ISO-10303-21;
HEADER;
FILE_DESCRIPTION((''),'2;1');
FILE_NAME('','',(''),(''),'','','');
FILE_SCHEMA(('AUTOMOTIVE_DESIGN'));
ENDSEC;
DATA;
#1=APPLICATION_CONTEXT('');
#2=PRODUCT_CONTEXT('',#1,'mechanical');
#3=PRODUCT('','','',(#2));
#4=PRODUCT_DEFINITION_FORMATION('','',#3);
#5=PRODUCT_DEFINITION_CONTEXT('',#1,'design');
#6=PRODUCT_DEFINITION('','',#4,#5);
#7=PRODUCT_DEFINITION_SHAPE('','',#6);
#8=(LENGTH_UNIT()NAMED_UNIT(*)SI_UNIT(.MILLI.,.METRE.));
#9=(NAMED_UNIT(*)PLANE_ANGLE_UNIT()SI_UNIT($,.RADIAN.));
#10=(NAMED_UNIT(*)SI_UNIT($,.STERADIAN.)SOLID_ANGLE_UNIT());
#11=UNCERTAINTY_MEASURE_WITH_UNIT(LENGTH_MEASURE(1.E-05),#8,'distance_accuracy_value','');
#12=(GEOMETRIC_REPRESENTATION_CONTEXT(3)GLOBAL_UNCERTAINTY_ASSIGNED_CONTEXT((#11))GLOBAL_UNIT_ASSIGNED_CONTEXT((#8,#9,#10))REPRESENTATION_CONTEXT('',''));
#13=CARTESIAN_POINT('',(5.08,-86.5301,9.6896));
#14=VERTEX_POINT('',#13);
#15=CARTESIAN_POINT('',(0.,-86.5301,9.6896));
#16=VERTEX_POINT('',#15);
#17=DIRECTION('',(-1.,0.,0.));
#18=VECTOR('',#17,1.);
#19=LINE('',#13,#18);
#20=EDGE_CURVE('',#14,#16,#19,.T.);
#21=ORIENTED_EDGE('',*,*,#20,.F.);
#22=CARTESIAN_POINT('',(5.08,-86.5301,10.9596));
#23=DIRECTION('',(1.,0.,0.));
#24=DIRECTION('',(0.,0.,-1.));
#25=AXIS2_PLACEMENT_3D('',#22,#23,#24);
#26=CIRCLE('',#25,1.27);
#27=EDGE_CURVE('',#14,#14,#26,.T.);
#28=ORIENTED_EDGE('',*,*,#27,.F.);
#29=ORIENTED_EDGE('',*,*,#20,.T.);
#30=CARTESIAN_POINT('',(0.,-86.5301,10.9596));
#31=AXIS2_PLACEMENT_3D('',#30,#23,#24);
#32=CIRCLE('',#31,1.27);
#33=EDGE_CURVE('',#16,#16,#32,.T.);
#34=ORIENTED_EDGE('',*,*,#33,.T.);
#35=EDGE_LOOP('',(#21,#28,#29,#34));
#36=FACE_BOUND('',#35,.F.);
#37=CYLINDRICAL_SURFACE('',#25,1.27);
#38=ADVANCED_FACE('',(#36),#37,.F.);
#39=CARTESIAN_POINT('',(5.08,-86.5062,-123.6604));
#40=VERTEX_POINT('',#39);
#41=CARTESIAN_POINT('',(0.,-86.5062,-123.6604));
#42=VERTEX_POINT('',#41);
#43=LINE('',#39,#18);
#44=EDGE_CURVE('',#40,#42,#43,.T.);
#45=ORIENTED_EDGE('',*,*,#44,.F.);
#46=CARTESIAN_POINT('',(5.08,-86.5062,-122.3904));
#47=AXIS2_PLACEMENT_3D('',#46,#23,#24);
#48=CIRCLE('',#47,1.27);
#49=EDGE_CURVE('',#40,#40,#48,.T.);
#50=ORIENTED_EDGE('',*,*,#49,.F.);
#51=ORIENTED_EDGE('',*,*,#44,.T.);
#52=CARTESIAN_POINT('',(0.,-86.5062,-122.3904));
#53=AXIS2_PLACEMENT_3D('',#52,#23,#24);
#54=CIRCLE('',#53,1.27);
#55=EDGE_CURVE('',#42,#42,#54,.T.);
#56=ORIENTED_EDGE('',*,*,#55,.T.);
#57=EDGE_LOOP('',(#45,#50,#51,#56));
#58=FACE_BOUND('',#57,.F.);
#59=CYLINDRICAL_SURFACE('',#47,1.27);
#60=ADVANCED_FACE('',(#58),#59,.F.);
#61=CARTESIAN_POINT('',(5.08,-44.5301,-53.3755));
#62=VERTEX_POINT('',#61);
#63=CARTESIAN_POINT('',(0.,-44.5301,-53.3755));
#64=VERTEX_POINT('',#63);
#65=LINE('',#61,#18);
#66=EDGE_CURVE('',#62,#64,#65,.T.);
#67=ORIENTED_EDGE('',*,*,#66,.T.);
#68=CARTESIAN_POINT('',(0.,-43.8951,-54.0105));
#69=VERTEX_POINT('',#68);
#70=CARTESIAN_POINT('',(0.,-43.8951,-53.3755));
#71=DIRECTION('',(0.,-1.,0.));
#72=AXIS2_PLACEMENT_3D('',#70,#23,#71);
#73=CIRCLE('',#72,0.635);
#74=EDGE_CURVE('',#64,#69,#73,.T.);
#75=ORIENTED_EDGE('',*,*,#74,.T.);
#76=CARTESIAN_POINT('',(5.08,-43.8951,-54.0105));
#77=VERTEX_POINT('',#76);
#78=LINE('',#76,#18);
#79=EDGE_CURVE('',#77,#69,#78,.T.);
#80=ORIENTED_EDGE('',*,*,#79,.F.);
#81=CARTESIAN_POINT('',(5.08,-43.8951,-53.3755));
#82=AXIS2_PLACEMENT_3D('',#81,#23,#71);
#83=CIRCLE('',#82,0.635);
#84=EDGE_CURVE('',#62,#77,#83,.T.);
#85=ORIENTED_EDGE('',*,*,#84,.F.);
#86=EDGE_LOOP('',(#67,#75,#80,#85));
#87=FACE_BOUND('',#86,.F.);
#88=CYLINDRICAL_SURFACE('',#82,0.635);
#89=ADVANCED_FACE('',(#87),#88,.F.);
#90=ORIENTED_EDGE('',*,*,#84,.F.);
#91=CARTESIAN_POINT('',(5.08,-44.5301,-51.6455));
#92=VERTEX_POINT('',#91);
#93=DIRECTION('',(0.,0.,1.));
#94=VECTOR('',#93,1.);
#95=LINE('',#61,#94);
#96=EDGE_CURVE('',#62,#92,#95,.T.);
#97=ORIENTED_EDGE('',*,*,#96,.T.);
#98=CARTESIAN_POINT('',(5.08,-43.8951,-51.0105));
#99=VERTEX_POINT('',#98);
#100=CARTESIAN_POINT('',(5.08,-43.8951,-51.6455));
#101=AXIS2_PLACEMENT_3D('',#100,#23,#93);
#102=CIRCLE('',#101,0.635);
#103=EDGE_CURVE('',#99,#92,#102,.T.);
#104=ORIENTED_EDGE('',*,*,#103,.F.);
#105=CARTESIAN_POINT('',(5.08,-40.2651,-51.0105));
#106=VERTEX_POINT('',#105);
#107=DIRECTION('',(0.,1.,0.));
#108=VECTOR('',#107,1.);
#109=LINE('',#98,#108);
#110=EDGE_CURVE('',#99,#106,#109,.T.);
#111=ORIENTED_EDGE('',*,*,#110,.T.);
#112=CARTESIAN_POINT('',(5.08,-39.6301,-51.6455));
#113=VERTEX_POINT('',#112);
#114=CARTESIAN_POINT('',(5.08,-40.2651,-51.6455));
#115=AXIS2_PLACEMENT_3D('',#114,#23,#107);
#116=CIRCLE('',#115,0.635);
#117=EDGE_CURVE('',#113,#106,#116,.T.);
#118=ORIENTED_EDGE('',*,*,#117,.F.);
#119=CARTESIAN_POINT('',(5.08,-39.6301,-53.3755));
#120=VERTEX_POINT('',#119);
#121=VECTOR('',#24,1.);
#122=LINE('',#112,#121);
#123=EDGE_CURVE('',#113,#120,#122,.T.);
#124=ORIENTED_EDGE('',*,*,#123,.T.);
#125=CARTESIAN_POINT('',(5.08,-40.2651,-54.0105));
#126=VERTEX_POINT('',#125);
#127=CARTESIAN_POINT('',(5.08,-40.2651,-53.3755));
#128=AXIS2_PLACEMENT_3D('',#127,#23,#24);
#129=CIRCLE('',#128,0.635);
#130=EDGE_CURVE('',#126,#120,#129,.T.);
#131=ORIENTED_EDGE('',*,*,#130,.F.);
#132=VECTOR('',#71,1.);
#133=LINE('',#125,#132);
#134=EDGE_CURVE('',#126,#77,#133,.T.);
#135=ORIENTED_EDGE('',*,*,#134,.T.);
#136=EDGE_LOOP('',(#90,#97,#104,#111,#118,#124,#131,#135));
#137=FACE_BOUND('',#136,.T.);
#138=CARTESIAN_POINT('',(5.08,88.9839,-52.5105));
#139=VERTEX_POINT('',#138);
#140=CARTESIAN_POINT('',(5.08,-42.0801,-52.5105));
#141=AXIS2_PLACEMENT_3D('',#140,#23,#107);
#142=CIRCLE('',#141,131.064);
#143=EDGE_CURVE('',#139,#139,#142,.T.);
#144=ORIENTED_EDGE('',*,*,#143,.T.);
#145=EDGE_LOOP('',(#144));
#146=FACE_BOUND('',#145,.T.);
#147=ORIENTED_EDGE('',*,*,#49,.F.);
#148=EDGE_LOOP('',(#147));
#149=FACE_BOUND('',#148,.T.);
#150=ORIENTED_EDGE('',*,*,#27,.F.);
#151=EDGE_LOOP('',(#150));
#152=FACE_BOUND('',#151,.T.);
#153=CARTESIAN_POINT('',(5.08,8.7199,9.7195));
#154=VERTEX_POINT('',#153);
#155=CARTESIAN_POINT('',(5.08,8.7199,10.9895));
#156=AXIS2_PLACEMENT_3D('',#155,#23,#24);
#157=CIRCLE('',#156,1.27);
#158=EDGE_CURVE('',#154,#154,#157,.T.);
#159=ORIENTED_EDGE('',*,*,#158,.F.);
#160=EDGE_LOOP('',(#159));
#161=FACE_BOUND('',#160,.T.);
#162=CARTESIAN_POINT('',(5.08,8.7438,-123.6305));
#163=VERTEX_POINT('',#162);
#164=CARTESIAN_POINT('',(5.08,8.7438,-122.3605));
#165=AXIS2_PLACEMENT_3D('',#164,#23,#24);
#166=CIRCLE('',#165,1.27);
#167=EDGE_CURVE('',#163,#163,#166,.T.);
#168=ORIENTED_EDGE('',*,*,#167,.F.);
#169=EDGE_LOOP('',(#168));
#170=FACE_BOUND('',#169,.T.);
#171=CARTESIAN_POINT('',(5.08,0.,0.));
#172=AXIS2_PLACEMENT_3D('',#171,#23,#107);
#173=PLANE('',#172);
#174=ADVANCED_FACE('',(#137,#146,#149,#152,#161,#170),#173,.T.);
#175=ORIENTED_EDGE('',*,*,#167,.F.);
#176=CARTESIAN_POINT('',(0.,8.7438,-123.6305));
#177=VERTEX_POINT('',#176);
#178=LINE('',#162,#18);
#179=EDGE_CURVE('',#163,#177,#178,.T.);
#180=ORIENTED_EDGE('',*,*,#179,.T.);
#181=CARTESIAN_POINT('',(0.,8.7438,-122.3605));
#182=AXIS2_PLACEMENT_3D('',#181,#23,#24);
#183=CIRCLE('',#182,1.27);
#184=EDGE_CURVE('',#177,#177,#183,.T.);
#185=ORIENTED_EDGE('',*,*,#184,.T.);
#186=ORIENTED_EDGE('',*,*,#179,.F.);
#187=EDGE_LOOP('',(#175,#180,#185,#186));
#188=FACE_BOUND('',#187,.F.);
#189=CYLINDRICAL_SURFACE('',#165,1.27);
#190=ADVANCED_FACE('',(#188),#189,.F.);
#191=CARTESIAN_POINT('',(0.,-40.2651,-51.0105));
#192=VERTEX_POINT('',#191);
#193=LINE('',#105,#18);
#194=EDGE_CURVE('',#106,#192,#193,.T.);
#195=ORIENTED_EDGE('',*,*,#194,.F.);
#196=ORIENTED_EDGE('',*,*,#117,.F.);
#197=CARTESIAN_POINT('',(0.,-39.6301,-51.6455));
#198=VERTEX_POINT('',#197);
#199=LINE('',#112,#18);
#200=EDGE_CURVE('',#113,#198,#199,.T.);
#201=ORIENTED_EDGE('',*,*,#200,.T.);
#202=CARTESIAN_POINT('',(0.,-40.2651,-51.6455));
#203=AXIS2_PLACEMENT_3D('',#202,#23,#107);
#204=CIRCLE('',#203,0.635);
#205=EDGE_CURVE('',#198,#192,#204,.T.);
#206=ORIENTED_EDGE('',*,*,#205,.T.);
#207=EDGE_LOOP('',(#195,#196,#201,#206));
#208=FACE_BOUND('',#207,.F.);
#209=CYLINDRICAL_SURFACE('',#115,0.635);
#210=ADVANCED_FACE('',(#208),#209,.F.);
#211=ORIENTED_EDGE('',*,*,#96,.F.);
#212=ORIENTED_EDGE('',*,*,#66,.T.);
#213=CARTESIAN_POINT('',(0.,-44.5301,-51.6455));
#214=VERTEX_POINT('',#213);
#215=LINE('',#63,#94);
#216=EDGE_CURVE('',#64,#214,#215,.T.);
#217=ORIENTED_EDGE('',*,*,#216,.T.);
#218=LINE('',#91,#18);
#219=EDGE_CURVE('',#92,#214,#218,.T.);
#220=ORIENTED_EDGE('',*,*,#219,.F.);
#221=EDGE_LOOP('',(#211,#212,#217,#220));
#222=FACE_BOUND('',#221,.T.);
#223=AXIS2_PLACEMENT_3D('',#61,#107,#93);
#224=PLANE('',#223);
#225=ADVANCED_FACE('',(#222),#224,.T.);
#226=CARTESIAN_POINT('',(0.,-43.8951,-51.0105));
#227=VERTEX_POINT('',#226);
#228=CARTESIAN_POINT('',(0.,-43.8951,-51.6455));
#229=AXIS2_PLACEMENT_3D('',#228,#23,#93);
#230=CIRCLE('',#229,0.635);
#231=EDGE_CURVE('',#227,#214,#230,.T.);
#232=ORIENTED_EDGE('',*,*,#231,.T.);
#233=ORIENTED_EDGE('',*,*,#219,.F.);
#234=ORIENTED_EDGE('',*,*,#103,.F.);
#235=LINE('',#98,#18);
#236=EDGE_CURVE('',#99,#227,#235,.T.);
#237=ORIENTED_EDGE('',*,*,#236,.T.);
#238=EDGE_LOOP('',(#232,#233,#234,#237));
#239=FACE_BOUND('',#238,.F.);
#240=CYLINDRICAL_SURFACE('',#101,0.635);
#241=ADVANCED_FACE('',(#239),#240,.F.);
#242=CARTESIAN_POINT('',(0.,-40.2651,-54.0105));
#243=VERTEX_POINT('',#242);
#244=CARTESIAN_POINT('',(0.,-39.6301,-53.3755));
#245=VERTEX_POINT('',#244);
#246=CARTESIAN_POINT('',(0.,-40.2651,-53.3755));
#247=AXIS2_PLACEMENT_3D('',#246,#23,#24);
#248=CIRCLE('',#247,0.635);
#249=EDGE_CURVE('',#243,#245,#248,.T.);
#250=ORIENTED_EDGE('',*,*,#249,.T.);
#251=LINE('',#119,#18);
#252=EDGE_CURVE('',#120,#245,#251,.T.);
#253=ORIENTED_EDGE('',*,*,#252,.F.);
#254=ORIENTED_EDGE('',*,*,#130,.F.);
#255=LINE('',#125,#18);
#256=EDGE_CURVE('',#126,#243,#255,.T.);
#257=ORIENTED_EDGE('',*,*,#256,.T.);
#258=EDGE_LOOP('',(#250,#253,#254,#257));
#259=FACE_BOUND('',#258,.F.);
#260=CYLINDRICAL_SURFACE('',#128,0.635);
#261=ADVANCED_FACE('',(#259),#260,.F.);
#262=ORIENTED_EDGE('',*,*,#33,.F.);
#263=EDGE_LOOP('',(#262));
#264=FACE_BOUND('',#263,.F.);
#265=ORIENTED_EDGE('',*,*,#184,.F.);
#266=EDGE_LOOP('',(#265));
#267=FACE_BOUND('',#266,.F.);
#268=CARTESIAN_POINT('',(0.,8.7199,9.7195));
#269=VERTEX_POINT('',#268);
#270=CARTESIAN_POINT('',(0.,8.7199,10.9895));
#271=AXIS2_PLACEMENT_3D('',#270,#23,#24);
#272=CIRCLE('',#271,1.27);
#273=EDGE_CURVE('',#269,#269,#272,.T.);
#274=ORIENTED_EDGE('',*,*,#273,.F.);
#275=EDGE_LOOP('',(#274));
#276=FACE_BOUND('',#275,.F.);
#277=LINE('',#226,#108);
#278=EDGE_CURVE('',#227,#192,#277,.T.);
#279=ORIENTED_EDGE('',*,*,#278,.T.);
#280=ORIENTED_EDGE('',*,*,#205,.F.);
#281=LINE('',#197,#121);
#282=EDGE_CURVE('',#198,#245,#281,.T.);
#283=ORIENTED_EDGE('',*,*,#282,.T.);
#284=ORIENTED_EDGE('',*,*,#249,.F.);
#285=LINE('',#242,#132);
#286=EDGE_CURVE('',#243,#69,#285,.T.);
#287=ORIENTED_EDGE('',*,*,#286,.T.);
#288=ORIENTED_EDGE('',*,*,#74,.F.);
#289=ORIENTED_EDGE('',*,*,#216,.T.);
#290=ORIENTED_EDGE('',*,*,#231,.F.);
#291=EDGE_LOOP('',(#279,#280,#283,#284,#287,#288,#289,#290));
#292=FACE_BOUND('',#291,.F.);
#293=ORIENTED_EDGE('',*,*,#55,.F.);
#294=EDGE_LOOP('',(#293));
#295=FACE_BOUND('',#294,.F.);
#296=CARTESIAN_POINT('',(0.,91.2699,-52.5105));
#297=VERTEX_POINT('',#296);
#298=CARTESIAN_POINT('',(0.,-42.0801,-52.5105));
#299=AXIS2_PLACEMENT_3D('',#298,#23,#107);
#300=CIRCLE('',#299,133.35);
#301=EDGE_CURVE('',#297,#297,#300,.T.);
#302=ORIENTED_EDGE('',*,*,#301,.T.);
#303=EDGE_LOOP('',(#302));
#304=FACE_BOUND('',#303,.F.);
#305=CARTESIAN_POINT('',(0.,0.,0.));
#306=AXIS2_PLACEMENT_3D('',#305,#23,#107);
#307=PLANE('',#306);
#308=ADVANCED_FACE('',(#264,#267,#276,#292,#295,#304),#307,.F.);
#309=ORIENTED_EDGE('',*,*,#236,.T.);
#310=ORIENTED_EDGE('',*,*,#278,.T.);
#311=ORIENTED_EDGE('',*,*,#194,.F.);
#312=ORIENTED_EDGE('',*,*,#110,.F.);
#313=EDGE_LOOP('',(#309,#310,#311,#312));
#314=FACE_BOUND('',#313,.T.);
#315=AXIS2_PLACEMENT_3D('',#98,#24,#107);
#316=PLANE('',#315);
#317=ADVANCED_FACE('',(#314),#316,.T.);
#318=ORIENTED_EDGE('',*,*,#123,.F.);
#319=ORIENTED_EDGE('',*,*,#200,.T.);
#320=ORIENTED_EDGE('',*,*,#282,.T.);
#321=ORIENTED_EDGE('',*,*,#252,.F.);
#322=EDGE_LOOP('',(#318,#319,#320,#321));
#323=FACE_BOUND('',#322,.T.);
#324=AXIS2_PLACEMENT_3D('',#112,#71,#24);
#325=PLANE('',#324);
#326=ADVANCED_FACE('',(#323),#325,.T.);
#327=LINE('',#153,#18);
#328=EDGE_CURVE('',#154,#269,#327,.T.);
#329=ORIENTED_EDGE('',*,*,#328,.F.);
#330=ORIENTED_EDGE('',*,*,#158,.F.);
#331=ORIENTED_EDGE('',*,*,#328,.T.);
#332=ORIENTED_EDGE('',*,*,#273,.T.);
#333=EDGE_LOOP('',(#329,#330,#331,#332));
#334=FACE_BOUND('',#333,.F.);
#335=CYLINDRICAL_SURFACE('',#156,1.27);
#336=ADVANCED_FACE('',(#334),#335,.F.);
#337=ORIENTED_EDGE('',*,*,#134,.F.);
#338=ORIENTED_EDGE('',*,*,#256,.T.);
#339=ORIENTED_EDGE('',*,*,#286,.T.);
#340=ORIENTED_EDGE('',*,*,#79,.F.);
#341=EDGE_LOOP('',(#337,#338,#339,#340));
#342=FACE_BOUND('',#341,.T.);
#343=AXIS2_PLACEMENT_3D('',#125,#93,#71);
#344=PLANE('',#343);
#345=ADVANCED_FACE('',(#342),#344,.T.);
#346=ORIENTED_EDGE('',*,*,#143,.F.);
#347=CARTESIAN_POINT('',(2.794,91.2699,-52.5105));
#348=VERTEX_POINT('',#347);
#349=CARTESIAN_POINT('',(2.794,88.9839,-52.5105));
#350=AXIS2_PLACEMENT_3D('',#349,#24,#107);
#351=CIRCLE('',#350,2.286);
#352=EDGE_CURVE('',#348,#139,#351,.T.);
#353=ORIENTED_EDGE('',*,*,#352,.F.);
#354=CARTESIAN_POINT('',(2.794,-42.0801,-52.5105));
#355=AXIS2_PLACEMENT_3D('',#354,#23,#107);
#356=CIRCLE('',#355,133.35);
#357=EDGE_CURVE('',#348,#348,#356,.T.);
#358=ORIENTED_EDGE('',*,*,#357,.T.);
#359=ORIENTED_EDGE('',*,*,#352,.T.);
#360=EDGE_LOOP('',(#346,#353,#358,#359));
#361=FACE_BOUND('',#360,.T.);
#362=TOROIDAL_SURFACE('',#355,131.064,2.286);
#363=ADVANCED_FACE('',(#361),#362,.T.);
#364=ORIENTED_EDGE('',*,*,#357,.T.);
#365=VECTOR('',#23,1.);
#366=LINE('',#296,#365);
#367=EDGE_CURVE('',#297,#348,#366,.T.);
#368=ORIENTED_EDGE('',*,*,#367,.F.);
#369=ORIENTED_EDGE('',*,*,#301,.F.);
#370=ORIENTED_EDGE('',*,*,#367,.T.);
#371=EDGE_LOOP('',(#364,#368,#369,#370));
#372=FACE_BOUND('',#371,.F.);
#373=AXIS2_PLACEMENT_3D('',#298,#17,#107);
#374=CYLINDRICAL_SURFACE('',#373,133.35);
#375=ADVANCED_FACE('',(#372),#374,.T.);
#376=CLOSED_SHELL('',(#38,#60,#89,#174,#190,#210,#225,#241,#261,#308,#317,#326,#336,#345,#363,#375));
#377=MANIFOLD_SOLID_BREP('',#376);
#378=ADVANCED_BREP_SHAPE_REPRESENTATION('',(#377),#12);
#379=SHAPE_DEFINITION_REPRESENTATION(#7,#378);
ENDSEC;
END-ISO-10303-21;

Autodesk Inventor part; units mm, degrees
ref_plane "YZ Plane" through (0, 0, 0) normal (1, 0, 0) x (0, 1, 0)
ref_plane "XZ Plane" through (0, 0, 0) normal (0, 1, 0) x (-1, 0, 0)
ref_plane "XY Plane" through (0, 0, 0) normal (0, 0, 1) x (1, 0, 0)
sketch "Sketch1" plane through (0, 0, 0) normal (1, 0, 0) x (0, 1, 0)
  circle A0 centre (-42.0801, -52.5105) radius 133.35
  dimension "d38" = 266.7
extrude "Extrusion1" add sketch "Sketch1" along normal blind 5.08
fillet "Fillet1" radius 2.286 1 edges at (5.08, -175.4301, -52.5105)
sketch "Sketch2" plane through (5.08, -42.0801, -52.5105) normal (1, 0, 0) x (0, 0, -1)
  line L0 (0.865, -2.45) -> (-0.865, -2.45)
  line L1 (-1.5, -1.815) -> (-1.5, 1.815)
  line L2 (-0.865, 2.45) -> (0.865, 2.45)
  line L3 (1.5, 1.815) -> (1.5, -1.815)
  line L4 (1.5, -2.45) -> (-1.5, 2.45) construction
  line L5 (-1.5, -2.45) -> (1.5, 2.45) construction
  arc A0 (-0.865, 2.45) -> (-1.5, 1.815) centre (-0.865, 1.815) ccw
  arc A1 (1.5, 1.815) -> (0.865, 2.45) centre (0.865, 1.815) ccw
  arc A2 (-1.5, -1.815) -> (-0.865, -2.45) centre (-0.865, -1.815) ccw
  arc A3 (0.865, -2.45) -> (1.5, -1.815) centre (0.865, -1.815) ccw
  point P0 (-52.5105, 42.0801)
  point P1 (0, 0)
extrude "Extrusion3" cut sketch "Sketch2" against normal blind 5.08
sketch "Sketch4" plane through (5.08, -42.0801, -52.5105) normal (1, 0, 0) x (0, 0, -1)
  circle A0 centre (-63.4701, -44.45) radius 1.27
  circle A1 centre (-63.5, 50.8) radius 1.27
  circle A2 centre (69.85, 50.8239) radius 1.27
  circle A3 centre (69.8799, -44.4261) radius 1.27
  point P0 (-52.5105, 42.0801)
extrude "Extrusion5" cut sketch "Sketch4" against normal through all
properties part number "Rotating Base"
